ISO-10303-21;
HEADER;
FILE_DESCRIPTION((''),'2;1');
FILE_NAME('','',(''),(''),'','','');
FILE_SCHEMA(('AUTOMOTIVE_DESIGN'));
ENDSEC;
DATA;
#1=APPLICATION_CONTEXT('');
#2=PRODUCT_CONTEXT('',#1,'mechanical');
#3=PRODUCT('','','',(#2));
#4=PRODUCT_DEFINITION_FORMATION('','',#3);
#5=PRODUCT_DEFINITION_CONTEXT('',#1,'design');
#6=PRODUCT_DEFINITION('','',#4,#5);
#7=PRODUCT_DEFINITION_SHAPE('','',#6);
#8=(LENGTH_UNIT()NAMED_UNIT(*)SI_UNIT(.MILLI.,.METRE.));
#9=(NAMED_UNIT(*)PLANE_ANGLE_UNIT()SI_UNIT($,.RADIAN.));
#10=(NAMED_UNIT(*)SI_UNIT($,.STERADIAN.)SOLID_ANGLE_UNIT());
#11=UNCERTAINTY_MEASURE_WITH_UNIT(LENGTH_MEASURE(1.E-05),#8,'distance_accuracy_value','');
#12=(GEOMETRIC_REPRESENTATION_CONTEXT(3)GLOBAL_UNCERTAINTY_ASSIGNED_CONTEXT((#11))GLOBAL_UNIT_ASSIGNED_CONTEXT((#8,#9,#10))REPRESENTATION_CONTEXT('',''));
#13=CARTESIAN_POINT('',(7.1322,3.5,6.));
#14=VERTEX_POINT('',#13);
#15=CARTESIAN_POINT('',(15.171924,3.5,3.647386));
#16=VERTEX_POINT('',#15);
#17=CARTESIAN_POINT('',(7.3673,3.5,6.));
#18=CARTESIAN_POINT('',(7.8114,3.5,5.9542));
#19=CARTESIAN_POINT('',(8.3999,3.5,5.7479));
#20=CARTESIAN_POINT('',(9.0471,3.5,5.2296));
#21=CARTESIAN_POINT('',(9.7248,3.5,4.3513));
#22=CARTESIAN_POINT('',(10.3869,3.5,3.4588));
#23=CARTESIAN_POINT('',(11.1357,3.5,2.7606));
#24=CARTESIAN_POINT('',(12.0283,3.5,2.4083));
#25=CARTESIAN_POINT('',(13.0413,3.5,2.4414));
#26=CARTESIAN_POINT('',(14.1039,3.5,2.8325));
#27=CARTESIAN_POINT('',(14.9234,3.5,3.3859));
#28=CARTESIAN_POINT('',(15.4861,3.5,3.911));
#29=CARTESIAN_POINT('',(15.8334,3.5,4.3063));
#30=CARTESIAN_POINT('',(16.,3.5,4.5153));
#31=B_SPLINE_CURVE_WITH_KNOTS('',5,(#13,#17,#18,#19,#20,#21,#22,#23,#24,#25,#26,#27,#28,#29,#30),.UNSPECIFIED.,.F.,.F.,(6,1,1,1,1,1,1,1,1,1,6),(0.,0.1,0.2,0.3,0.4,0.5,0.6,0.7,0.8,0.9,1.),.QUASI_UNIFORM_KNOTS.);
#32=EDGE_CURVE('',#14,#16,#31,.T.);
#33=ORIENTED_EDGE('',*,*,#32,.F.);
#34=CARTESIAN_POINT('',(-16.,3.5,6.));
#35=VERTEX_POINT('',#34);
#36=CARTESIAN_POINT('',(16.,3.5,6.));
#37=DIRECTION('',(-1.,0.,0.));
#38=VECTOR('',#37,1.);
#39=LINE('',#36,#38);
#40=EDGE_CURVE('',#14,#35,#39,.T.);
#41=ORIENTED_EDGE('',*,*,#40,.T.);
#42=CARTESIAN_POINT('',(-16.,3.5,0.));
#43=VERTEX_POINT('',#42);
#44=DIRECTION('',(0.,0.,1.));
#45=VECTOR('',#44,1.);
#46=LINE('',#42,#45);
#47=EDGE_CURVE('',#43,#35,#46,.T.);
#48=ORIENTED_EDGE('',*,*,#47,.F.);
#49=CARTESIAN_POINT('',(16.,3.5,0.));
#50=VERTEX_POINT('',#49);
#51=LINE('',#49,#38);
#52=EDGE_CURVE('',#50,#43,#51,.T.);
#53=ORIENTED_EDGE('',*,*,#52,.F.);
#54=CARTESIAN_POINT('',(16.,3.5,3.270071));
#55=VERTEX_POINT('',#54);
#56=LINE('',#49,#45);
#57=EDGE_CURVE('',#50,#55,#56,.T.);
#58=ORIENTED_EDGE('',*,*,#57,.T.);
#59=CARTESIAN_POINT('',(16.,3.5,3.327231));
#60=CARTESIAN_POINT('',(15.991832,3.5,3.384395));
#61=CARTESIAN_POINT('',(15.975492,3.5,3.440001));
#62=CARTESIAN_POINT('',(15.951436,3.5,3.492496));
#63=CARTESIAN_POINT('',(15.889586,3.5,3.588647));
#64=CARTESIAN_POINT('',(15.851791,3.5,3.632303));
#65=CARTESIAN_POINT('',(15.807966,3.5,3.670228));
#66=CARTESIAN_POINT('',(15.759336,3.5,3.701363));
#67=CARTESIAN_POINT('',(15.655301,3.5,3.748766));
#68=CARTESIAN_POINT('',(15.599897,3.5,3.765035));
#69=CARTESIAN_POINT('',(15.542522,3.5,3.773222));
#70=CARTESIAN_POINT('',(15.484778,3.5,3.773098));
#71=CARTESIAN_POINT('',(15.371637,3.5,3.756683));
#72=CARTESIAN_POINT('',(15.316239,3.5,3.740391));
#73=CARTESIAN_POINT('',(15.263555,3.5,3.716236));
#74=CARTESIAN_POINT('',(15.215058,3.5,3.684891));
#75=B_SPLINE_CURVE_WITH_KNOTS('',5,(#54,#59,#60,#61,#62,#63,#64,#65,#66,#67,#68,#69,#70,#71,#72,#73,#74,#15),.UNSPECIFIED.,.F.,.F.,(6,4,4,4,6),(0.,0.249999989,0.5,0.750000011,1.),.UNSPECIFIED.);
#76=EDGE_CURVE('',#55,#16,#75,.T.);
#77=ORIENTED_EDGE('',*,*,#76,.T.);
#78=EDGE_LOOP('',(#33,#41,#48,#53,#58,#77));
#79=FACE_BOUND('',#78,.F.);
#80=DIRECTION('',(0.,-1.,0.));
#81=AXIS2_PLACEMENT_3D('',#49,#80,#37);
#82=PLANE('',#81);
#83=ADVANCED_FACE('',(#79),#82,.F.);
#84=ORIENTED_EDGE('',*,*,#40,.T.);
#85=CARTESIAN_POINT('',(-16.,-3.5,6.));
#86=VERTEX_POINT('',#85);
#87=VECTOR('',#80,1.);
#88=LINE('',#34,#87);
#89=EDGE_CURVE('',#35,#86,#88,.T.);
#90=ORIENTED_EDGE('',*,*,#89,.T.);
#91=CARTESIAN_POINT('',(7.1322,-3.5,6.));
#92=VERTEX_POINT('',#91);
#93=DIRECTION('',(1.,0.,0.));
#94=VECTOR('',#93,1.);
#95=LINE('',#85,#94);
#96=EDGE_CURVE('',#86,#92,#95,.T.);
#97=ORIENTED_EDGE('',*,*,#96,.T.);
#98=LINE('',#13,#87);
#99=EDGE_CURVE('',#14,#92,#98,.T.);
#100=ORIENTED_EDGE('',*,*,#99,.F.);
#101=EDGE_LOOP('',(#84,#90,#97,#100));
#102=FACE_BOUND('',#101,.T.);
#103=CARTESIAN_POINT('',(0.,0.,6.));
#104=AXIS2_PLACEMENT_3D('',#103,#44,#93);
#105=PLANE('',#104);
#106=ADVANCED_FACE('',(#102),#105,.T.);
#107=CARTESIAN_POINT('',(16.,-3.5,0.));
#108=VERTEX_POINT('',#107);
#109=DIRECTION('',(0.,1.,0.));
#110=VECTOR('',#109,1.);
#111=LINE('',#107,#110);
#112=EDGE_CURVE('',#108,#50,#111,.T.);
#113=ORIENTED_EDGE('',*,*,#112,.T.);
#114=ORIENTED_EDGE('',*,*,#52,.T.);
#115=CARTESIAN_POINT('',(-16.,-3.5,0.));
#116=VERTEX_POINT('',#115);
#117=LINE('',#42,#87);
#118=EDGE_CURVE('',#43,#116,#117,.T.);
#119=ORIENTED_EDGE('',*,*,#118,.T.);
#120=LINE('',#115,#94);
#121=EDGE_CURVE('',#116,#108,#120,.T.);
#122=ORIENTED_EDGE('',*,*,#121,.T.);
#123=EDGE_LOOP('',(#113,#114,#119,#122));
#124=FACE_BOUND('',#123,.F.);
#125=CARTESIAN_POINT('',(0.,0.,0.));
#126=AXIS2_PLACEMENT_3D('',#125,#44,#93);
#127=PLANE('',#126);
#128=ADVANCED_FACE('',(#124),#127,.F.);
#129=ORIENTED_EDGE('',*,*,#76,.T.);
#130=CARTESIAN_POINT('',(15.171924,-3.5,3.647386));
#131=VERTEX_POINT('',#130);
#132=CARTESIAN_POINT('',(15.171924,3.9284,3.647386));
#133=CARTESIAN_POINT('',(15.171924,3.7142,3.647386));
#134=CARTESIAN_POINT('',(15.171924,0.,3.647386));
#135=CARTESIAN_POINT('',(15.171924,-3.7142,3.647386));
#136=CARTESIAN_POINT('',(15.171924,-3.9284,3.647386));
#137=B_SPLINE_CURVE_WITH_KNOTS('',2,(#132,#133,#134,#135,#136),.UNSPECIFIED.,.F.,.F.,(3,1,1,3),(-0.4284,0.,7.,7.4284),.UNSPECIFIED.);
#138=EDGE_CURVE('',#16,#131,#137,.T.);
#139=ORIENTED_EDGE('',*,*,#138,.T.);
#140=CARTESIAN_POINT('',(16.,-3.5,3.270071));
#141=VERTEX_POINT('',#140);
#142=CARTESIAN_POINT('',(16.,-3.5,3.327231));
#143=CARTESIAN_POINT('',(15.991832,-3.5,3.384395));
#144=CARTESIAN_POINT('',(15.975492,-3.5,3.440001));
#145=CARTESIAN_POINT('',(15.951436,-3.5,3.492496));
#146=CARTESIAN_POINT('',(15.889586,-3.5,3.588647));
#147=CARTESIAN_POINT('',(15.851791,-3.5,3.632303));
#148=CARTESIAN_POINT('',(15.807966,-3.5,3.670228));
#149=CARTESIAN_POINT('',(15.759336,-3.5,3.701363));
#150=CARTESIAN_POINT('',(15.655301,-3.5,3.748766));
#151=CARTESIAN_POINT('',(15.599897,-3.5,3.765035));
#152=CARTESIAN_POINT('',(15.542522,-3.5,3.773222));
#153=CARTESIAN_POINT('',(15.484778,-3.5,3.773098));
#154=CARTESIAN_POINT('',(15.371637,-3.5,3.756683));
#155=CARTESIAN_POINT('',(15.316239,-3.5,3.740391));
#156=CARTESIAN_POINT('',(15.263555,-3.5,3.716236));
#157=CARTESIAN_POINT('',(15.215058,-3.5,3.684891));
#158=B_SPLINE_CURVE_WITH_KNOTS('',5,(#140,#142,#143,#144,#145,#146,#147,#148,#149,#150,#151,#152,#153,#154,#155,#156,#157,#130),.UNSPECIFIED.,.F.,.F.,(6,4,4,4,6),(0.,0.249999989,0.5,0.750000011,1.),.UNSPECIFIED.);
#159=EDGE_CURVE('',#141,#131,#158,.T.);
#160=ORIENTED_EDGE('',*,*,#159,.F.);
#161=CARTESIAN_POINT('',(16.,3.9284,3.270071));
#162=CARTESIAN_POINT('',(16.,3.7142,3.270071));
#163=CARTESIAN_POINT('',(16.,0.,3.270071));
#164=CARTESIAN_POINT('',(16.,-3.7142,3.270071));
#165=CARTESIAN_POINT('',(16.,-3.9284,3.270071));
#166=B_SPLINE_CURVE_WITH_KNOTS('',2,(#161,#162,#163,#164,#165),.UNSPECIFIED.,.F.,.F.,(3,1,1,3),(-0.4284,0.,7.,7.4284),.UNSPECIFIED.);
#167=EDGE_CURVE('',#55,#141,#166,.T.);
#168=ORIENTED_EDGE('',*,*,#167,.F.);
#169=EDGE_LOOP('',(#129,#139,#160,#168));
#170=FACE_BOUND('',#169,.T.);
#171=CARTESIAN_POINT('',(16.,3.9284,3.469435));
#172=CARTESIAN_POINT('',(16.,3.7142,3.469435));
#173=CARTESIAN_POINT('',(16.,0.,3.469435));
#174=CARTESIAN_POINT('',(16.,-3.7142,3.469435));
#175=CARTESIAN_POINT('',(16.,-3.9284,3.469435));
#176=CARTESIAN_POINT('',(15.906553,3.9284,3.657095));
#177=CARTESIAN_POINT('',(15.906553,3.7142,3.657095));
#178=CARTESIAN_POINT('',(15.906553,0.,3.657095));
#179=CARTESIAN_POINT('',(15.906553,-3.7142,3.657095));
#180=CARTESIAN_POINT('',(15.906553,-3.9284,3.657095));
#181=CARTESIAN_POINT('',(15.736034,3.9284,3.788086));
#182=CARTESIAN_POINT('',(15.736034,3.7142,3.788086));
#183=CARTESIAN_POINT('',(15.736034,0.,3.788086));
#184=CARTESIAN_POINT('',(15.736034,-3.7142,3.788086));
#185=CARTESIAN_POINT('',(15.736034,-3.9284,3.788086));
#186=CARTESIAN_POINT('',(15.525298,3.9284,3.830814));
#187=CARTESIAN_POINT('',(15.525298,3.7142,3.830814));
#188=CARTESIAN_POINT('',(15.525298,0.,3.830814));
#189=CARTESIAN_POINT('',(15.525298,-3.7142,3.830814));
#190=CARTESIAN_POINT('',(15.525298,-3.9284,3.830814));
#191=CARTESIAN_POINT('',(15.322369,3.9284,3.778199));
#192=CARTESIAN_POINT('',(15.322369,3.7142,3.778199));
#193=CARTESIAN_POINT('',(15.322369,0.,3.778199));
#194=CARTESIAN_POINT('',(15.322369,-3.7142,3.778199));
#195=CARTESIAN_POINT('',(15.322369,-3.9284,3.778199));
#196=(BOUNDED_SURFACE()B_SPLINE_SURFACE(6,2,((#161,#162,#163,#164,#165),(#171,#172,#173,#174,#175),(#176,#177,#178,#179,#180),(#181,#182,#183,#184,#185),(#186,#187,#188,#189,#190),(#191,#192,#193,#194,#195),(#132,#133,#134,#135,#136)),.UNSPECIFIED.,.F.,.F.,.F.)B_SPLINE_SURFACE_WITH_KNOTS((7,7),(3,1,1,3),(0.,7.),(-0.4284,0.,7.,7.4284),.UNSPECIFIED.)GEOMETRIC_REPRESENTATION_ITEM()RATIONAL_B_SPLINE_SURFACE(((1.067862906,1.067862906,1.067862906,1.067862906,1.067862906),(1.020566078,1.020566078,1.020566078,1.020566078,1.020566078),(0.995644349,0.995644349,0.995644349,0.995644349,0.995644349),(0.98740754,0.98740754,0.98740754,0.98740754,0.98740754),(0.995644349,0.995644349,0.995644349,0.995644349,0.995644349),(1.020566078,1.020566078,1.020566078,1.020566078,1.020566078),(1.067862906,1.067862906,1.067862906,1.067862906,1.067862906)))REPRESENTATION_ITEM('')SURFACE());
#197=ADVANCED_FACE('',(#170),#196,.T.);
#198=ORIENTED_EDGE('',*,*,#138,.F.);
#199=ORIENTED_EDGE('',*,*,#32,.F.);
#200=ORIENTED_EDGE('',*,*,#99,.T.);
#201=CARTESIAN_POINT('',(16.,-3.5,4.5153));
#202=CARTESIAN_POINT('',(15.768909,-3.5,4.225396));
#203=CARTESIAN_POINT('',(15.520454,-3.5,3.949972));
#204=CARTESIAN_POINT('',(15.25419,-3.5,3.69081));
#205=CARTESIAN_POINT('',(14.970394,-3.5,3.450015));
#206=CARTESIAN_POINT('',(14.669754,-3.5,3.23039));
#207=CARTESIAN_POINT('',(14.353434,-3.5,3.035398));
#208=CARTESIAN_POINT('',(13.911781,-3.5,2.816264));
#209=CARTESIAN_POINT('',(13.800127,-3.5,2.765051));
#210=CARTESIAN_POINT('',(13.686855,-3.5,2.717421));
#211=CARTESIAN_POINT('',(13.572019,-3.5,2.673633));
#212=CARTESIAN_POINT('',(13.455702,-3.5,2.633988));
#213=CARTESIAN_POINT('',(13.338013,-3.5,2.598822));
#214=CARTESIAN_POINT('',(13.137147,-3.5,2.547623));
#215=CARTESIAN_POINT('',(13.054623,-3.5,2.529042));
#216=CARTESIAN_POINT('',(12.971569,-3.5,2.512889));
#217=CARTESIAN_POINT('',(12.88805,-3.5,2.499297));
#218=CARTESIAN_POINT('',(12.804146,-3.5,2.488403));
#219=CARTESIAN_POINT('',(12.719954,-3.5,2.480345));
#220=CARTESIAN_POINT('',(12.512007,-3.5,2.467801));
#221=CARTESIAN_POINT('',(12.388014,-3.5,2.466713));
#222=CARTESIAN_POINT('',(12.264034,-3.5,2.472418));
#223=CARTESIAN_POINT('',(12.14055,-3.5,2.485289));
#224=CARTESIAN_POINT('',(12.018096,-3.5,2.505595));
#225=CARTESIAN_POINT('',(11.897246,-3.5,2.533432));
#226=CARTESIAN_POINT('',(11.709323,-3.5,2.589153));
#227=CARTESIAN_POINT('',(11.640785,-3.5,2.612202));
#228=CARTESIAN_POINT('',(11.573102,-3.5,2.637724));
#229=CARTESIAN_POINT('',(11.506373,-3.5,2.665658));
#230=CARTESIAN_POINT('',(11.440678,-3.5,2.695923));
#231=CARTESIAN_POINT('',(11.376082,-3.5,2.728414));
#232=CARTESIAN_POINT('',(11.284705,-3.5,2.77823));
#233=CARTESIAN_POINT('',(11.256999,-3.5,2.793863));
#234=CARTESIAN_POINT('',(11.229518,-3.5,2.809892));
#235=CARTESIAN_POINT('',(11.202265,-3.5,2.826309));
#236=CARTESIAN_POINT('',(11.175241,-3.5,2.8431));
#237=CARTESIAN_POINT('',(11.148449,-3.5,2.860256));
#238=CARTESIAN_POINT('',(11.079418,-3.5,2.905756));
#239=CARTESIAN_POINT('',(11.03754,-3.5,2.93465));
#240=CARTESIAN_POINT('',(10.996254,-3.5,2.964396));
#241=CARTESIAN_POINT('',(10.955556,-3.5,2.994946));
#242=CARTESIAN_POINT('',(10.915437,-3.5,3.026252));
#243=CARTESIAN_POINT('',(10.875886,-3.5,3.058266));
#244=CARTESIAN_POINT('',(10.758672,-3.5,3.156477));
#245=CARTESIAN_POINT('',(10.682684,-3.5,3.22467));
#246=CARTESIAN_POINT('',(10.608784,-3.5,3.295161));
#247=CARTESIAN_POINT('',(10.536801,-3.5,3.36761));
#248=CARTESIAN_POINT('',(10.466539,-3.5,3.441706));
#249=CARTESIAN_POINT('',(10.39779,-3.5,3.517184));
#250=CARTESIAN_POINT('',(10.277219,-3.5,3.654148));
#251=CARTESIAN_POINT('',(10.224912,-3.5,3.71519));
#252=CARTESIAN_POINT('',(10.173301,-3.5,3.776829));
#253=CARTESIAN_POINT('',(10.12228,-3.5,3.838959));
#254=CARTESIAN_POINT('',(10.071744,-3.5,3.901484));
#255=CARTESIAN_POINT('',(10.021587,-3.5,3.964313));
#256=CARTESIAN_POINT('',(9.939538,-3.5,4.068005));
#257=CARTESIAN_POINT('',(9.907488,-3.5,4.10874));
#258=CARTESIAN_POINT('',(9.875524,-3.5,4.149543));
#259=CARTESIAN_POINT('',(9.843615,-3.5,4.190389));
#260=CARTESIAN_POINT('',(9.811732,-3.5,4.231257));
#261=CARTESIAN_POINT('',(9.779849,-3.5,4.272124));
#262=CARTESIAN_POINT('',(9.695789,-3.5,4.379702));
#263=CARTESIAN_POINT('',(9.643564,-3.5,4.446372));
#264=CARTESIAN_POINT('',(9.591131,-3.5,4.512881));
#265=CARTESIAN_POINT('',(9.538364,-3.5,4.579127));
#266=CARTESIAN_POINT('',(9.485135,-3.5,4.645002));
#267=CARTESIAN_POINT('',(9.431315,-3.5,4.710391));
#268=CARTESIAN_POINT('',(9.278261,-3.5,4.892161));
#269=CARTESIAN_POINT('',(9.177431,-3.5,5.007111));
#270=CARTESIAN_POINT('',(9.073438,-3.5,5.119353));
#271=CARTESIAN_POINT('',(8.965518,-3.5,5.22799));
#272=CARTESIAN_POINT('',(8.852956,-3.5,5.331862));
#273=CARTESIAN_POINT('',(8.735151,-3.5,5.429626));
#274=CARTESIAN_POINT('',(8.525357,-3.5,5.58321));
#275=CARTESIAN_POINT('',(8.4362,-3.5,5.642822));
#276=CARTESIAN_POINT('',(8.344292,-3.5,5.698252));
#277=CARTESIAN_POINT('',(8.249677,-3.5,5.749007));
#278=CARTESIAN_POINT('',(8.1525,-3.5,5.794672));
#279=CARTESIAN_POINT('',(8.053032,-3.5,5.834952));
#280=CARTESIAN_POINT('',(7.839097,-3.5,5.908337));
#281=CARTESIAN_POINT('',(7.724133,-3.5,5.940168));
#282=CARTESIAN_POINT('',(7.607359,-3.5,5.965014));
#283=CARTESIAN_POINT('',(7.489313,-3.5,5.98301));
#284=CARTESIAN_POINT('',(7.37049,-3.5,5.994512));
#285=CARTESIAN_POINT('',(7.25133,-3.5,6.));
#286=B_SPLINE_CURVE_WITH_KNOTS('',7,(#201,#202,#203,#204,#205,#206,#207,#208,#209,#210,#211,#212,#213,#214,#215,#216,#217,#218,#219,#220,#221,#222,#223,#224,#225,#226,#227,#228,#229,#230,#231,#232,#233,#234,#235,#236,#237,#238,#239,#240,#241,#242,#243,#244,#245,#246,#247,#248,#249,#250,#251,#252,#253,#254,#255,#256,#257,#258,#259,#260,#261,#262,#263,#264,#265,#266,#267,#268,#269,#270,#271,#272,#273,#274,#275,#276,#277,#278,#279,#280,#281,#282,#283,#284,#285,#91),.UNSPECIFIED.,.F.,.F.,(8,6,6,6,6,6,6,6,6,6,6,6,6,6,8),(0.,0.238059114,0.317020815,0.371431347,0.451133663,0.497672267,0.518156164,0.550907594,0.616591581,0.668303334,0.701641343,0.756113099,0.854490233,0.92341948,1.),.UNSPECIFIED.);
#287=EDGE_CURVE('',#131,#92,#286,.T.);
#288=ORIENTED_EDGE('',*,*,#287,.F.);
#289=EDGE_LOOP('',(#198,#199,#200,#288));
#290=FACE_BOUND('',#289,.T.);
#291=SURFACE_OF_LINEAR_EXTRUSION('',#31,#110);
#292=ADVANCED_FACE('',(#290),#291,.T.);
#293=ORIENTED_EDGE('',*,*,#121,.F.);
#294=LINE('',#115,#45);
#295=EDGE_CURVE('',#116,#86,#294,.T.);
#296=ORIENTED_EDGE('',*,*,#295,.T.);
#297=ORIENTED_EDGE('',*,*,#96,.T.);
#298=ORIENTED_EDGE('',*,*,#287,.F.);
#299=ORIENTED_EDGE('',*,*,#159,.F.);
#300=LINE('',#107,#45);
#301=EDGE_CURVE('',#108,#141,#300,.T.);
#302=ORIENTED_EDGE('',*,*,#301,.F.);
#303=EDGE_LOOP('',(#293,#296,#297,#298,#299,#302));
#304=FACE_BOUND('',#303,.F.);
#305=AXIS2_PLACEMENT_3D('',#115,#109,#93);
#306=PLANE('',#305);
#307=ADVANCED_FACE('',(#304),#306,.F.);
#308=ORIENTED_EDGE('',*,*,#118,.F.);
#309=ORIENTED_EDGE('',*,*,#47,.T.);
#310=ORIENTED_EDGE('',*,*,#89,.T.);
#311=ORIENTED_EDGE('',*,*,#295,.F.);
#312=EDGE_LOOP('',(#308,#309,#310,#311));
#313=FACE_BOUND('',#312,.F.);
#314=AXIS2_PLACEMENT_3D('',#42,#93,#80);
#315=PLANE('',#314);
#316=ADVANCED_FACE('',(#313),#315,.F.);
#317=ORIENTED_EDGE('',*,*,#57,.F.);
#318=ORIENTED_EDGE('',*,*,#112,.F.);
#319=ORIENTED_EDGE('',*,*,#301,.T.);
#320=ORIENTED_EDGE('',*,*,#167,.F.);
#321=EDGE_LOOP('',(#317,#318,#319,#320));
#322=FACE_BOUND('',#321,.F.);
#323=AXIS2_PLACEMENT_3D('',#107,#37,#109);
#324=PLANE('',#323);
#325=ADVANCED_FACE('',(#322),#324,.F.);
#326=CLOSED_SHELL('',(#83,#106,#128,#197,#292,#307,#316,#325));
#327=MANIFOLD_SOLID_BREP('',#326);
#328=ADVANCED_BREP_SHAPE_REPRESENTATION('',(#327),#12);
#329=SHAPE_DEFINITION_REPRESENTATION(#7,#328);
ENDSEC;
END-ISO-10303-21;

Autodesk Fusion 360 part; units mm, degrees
sketch "Sketch1" plane through (0, 0, 0) normal (0, 0, 1) x (1, 0, 0)
  line L0 (16, 3.5) -> (-16, 3.5)
  line L1 (-16, 3.5) -> (-16, -3.5)
  line L2 (-16, -3.5) -> (16, -3.5)
  line L3 (16, -3.5) -> (16, 3.5)
  line L4 (16, 3.5) -> (-16, -3.5) construction
  line L5 (-16, 3.5) -> (16, -3.5) construction
  dimension "d1" = 7
  dimension "d2" = 32
extrude "Extrude1" add sketch "Sketch1" along normal blind 6
sketch "Sketch2" plane through (0, 3.5, 0) normal (0, 1, 0) x (-1, 0, 0)
  line L0 (-16, 0) -> (16, 0)
  line L1 (16, 0) -> (16, 6)
  line L2 (16, 6) -> (-16, 6)
  line L3 (-16, 6) -> (-16, 0)
  spline S0 degree 5 poles (-7.1322, 6) (-7.3673, 6) (-7.8114, 5.9542) (-8.3999, 5.7479) (-9.0471, 5.2296) (-9.7248, 4.3513) (-10.3869, 3.4588) (-11.1357, 2.7606) (-12.0283, 2.4083) (-13.0413, 2.4414) (-14.1039, 2.8325) (-14.9234, 3.3859) (-15.4861, 3.911) (-15.8334, 4.3063) (-16, 4.5153) knots 0 0 0 0 0 0 0.1 0.2 0.3 0.4 0.5 0.6 0.7 0.8 0.9 1 1 1 1 1 1
  line L4 (-6.288, 6) -> (-7.9764, 6)
  line L5 (-15.3842, 3.743) -> (-16.6158, 5.2877)
  point P0 (-11.1746, 2.8439)
extrude "Extrude2" cut sketch "Sketch2" against normal through all contours L2 L3 S0 L4
fillet "Fillet1" radius 0.5 1 edges at (16, 0, 4.5153)
